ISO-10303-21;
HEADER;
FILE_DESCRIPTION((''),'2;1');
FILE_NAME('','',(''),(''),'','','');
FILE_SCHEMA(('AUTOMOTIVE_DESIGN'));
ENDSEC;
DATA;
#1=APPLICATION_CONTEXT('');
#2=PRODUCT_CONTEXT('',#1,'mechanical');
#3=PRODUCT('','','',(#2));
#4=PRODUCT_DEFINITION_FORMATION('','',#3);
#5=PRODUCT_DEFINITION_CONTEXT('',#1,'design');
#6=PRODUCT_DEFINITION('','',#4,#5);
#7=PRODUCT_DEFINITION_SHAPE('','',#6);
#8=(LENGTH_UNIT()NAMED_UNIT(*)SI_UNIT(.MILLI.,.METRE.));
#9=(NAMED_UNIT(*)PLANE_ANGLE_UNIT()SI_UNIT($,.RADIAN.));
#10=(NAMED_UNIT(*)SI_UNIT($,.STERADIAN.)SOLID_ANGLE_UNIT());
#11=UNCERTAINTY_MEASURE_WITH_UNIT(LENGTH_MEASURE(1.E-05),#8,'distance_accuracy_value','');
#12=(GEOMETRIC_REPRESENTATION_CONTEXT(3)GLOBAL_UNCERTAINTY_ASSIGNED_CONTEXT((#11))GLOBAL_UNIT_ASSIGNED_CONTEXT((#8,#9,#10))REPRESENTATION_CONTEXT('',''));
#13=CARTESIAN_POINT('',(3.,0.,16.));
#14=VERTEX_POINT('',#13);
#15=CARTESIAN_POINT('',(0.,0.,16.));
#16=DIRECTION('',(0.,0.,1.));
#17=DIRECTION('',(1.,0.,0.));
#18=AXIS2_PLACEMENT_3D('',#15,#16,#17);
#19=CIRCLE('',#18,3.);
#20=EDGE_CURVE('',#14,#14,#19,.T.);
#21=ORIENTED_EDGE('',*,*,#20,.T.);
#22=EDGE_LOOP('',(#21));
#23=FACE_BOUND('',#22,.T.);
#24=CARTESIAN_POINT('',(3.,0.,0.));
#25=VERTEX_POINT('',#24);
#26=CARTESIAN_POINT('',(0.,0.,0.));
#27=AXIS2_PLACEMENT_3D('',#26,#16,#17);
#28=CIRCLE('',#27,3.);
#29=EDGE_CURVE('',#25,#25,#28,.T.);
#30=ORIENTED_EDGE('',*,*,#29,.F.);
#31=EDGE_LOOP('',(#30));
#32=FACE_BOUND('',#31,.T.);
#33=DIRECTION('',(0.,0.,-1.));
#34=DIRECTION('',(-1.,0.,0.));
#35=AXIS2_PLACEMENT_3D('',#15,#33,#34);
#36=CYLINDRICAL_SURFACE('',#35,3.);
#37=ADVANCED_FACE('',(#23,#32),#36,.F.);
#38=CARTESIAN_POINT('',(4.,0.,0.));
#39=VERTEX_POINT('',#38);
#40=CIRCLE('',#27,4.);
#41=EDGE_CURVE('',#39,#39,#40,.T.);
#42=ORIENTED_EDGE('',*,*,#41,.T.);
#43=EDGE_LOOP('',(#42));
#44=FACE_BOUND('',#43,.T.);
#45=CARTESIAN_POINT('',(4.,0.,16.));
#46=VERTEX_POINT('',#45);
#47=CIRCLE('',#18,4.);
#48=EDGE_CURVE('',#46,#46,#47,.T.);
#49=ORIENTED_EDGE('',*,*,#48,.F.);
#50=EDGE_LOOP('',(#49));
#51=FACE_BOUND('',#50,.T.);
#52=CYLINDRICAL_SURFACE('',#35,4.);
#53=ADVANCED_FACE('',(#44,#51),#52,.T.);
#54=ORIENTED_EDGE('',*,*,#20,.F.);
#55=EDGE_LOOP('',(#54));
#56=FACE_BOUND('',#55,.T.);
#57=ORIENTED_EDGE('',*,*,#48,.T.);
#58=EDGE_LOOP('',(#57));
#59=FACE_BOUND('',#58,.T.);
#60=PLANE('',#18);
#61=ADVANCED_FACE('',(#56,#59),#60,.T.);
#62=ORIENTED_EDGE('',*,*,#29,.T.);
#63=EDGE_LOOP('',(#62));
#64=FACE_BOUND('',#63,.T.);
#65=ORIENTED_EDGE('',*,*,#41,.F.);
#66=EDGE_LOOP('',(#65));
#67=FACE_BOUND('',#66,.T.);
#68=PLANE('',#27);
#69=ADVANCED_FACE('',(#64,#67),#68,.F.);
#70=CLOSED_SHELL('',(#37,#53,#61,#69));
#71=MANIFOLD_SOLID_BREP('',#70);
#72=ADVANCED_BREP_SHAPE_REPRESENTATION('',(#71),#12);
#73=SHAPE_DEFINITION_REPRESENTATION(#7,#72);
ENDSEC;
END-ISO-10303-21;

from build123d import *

# Parameters (mm, degrees)
SKETCH_1_R      = 4
SKETCH_1_R_2    = 3
EXTRUDE_1_DEPTH = 16


with BuildPart() as part:
    # 草图1 → 凸台-拉伸1 (new body)
    with BuildSketch(Plane.XY):
        Circle(SKETCH_1_R)
        Circle(SKETCH_1_R_2, mode=Mode.SUBTRACT)
    extrude(amount=EXTRUDE_1_DEPTH)


solid = part.part
